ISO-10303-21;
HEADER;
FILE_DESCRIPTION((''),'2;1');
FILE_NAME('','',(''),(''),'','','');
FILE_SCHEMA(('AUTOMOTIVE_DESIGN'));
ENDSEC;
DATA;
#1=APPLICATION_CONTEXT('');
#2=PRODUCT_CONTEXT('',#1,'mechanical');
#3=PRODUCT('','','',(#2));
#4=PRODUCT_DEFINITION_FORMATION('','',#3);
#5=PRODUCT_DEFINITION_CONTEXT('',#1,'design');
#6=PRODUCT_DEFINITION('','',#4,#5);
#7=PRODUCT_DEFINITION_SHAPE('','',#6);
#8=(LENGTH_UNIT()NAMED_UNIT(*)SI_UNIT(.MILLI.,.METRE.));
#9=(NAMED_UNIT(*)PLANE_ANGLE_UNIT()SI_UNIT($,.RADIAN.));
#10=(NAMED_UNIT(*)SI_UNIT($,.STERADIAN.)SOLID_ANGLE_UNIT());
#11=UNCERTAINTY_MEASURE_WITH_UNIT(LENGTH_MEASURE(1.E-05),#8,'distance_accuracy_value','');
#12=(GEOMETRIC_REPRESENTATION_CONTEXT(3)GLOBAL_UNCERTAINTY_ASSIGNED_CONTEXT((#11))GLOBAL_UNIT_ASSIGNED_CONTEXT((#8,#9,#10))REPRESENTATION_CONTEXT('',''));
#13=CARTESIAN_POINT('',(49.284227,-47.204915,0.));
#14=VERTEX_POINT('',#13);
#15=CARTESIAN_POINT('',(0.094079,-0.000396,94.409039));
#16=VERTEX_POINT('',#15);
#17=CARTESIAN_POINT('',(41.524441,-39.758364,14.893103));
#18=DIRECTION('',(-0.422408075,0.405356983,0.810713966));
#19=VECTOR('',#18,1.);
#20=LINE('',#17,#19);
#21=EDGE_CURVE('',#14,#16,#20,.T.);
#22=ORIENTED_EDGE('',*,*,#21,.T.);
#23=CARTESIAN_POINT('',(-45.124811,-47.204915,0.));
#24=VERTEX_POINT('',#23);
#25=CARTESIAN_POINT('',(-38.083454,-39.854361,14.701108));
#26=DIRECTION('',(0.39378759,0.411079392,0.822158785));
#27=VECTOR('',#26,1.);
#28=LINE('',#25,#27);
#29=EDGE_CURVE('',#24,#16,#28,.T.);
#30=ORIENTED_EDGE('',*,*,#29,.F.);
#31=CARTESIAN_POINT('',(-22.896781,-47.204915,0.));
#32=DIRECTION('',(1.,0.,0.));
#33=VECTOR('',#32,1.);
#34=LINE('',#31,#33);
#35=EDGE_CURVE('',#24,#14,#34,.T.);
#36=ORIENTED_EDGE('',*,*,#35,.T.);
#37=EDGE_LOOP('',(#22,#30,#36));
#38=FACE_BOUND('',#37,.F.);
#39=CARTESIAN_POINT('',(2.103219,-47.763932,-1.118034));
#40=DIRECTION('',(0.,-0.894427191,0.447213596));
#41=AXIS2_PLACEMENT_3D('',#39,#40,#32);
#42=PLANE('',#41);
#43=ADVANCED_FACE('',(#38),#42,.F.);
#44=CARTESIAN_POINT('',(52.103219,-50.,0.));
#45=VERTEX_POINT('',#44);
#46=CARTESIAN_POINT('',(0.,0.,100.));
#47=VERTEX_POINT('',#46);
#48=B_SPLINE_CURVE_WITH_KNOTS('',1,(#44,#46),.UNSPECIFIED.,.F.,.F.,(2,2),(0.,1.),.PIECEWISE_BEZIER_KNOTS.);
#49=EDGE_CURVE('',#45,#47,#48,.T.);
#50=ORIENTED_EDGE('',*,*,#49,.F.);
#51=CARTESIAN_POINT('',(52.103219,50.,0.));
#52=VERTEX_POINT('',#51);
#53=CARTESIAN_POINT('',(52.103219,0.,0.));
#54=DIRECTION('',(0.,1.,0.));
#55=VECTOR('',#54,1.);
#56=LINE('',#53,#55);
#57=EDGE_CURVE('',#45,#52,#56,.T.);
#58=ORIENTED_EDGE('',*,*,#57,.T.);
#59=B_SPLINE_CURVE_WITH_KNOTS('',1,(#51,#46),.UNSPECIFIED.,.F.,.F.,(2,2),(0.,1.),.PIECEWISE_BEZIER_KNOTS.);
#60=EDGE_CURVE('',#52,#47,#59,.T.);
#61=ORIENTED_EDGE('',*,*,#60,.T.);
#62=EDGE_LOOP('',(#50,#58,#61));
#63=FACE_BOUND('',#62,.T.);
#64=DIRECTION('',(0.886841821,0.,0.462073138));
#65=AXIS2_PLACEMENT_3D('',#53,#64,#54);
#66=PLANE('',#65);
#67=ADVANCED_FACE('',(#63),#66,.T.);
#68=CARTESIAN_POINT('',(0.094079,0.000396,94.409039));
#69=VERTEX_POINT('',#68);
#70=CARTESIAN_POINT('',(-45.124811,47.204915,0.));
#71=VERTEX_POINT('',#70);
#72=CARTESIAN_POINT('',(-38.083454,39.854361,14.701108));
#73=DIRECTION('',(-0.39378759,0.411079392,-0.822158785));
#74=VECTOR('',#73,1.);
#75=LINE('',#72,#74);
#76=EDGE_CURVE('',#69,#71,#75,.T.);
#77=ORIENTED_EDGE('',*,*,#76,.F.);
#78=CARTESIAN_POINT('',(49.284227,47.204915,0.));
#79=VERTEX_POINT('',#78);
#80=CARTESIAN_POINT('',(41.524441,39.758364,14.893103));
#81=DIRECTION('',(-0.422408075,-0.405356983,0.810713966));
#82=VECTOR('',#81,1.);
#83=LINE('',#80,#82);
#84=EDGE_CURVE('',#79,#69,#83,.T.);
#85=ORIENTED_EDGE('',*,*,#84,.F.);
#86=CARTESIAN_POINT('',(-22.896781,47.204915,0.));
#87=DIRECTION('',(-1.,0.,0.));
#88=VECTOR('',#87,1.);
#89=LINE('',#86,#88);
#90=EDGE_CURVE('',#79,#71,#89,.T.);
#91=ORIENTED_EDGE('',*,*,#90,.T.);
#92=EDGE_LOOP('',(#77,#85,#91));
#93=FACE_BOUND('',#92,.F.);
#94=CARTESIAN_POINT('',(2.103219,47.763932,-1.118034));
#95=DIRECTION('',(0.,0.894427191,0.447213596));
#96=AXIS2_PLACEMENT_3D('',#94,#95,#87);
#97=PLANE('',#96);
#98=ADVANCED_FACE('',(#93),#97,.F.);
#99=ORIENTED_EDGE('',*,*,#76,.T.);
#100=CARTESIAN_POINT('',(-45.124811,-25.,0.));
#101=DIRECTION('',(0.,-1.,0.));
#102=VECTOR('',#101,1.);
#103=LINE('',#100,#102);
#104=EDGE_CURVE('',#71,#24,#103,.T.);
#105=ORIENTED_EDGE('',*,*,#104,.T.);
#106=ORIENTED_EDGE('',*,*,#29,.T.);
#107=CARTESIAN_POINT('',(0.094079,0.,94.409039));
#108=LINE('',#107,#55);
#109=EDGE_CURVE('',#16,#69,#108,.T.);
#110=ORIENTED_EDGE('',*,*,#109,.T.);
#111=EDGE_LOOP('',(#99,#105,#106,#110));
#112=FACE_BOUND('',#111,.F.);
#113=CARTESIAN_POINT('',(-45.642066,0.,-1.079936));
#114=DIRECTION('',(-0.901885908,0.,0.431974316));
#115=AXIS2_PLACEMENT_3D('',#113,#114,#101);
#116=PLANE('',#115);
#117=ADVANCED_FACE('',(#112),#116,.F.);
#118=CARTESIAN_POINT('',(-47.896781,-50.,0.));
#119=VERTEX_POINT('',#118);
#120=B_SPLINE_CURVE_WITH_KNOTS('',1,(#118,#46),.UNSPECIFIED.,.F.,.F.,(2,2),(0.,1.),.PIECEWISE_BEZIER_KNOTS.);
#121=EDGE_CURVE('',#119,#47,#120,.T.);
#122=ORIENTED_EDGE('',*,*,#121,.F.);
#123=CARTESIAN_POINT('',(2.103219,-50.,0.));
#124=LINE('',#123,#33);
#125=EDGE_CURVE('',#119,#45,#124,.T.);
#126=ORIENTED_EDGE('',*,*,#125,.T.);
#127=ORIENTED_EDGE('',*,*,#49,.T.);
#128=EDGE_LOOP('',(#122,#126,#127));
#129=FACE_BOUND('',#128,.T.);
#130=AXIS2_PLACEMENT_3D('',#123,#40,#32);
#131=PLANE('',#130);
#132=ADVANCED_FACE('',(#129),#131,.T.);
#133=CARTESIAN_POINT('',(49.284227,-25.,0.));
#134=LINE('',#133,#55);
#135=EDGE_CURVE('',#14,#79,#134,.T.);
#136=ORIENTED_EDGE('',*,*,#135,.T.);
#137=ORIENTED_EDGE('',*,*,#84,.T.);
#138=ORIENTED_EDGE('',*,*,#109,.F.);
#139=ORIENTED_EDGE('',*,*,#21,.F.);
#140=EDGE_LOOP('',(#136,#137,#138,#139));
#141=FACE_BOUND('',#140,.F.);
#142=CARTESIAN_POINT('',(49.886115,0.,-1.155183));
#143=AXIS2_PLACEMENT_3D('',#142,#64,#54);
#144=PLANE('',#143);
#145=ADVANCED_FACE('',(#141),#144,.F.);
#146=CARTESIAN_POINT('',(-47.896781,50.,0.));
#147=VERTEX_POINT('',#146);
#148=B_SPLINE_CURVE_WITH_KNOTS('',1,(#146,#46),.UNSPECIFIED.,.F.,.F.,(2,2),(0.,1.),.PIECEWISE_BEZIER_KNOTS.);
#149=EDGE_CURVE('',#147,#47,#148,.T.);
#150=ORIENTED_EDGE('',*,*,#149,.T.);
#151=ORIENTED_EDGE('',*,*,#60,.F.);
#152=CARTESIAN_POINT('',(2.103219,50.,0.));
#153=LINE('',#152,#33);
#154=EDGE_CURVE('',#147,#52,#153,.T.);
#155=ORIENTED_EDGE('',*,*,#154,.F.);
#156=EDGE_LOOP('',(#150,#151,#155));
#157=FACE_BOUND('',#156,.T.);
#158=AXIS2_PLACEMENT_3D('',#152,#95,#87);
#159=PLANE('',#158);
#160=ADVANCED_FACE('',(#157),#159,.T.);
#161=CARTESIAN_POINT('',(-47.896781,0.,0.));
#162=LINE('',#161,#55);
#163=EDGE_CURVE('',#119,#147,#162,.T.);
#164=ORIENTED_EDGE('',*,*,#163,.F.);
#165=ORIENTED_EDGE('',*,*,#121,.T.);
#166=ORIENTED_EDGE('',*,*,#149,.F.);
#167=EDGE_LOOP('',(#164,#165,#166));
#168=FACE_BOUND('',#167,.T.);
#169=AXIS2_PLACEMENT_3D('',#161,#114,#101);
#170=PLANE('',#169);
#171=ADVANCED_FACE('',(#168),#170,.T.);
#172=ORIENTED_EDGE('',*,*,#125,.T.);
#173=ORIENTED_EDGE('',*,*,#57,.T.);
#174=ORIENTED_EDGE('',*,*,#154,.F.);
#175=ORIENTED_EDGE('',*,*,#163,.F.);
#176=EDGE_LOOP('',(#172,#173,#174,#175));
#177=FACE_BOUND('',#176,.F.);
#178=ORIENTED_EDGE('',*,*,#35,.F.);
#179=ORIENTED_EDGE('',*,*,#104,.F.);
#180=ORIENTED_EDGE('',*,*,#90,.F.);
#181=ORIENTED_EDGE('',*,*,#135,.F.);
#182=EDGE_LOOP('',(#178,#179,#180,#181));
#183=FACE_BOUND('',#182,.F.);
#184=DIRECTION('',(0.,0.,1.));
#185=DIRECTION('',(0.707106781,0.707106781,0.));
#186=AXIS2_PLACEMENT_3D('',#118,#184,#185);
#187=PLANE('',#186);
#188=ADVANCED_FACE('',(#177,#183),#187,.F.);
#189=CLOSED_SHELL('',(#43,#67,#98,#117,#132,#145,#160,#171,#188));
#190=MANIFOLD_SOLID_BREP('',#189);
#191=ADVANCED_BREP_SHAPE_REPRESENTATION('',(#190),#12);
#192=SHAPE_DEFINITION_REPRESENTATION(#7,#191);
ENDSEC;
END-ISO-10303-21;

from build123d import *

# Parameters (mm, degrees)
F0_W = 100
F0_H = 100
F4_T = -2.5


with BuildPart() as f3:
    # F0 (on Top) → F3 section 0
    with BuildSketch(Plane.XY, mode=Mode.PRIVATE) as f3_s0:
        with Locations((2.1032192744, 0)):
            Rectangle(F0_W, F0_H)
    loft([f3_s0.sketch, Vertex(0, 0, 100)])

    # F4
    f4_openings = [f3.faces().sort_by_distance(p)[0] for p in [
        (2.103219, 0, 0),
    ]]
    offset(amount=F4_T, openings=f4_openings, kind=Kind.INTERSECTION)


solid = f3.part
